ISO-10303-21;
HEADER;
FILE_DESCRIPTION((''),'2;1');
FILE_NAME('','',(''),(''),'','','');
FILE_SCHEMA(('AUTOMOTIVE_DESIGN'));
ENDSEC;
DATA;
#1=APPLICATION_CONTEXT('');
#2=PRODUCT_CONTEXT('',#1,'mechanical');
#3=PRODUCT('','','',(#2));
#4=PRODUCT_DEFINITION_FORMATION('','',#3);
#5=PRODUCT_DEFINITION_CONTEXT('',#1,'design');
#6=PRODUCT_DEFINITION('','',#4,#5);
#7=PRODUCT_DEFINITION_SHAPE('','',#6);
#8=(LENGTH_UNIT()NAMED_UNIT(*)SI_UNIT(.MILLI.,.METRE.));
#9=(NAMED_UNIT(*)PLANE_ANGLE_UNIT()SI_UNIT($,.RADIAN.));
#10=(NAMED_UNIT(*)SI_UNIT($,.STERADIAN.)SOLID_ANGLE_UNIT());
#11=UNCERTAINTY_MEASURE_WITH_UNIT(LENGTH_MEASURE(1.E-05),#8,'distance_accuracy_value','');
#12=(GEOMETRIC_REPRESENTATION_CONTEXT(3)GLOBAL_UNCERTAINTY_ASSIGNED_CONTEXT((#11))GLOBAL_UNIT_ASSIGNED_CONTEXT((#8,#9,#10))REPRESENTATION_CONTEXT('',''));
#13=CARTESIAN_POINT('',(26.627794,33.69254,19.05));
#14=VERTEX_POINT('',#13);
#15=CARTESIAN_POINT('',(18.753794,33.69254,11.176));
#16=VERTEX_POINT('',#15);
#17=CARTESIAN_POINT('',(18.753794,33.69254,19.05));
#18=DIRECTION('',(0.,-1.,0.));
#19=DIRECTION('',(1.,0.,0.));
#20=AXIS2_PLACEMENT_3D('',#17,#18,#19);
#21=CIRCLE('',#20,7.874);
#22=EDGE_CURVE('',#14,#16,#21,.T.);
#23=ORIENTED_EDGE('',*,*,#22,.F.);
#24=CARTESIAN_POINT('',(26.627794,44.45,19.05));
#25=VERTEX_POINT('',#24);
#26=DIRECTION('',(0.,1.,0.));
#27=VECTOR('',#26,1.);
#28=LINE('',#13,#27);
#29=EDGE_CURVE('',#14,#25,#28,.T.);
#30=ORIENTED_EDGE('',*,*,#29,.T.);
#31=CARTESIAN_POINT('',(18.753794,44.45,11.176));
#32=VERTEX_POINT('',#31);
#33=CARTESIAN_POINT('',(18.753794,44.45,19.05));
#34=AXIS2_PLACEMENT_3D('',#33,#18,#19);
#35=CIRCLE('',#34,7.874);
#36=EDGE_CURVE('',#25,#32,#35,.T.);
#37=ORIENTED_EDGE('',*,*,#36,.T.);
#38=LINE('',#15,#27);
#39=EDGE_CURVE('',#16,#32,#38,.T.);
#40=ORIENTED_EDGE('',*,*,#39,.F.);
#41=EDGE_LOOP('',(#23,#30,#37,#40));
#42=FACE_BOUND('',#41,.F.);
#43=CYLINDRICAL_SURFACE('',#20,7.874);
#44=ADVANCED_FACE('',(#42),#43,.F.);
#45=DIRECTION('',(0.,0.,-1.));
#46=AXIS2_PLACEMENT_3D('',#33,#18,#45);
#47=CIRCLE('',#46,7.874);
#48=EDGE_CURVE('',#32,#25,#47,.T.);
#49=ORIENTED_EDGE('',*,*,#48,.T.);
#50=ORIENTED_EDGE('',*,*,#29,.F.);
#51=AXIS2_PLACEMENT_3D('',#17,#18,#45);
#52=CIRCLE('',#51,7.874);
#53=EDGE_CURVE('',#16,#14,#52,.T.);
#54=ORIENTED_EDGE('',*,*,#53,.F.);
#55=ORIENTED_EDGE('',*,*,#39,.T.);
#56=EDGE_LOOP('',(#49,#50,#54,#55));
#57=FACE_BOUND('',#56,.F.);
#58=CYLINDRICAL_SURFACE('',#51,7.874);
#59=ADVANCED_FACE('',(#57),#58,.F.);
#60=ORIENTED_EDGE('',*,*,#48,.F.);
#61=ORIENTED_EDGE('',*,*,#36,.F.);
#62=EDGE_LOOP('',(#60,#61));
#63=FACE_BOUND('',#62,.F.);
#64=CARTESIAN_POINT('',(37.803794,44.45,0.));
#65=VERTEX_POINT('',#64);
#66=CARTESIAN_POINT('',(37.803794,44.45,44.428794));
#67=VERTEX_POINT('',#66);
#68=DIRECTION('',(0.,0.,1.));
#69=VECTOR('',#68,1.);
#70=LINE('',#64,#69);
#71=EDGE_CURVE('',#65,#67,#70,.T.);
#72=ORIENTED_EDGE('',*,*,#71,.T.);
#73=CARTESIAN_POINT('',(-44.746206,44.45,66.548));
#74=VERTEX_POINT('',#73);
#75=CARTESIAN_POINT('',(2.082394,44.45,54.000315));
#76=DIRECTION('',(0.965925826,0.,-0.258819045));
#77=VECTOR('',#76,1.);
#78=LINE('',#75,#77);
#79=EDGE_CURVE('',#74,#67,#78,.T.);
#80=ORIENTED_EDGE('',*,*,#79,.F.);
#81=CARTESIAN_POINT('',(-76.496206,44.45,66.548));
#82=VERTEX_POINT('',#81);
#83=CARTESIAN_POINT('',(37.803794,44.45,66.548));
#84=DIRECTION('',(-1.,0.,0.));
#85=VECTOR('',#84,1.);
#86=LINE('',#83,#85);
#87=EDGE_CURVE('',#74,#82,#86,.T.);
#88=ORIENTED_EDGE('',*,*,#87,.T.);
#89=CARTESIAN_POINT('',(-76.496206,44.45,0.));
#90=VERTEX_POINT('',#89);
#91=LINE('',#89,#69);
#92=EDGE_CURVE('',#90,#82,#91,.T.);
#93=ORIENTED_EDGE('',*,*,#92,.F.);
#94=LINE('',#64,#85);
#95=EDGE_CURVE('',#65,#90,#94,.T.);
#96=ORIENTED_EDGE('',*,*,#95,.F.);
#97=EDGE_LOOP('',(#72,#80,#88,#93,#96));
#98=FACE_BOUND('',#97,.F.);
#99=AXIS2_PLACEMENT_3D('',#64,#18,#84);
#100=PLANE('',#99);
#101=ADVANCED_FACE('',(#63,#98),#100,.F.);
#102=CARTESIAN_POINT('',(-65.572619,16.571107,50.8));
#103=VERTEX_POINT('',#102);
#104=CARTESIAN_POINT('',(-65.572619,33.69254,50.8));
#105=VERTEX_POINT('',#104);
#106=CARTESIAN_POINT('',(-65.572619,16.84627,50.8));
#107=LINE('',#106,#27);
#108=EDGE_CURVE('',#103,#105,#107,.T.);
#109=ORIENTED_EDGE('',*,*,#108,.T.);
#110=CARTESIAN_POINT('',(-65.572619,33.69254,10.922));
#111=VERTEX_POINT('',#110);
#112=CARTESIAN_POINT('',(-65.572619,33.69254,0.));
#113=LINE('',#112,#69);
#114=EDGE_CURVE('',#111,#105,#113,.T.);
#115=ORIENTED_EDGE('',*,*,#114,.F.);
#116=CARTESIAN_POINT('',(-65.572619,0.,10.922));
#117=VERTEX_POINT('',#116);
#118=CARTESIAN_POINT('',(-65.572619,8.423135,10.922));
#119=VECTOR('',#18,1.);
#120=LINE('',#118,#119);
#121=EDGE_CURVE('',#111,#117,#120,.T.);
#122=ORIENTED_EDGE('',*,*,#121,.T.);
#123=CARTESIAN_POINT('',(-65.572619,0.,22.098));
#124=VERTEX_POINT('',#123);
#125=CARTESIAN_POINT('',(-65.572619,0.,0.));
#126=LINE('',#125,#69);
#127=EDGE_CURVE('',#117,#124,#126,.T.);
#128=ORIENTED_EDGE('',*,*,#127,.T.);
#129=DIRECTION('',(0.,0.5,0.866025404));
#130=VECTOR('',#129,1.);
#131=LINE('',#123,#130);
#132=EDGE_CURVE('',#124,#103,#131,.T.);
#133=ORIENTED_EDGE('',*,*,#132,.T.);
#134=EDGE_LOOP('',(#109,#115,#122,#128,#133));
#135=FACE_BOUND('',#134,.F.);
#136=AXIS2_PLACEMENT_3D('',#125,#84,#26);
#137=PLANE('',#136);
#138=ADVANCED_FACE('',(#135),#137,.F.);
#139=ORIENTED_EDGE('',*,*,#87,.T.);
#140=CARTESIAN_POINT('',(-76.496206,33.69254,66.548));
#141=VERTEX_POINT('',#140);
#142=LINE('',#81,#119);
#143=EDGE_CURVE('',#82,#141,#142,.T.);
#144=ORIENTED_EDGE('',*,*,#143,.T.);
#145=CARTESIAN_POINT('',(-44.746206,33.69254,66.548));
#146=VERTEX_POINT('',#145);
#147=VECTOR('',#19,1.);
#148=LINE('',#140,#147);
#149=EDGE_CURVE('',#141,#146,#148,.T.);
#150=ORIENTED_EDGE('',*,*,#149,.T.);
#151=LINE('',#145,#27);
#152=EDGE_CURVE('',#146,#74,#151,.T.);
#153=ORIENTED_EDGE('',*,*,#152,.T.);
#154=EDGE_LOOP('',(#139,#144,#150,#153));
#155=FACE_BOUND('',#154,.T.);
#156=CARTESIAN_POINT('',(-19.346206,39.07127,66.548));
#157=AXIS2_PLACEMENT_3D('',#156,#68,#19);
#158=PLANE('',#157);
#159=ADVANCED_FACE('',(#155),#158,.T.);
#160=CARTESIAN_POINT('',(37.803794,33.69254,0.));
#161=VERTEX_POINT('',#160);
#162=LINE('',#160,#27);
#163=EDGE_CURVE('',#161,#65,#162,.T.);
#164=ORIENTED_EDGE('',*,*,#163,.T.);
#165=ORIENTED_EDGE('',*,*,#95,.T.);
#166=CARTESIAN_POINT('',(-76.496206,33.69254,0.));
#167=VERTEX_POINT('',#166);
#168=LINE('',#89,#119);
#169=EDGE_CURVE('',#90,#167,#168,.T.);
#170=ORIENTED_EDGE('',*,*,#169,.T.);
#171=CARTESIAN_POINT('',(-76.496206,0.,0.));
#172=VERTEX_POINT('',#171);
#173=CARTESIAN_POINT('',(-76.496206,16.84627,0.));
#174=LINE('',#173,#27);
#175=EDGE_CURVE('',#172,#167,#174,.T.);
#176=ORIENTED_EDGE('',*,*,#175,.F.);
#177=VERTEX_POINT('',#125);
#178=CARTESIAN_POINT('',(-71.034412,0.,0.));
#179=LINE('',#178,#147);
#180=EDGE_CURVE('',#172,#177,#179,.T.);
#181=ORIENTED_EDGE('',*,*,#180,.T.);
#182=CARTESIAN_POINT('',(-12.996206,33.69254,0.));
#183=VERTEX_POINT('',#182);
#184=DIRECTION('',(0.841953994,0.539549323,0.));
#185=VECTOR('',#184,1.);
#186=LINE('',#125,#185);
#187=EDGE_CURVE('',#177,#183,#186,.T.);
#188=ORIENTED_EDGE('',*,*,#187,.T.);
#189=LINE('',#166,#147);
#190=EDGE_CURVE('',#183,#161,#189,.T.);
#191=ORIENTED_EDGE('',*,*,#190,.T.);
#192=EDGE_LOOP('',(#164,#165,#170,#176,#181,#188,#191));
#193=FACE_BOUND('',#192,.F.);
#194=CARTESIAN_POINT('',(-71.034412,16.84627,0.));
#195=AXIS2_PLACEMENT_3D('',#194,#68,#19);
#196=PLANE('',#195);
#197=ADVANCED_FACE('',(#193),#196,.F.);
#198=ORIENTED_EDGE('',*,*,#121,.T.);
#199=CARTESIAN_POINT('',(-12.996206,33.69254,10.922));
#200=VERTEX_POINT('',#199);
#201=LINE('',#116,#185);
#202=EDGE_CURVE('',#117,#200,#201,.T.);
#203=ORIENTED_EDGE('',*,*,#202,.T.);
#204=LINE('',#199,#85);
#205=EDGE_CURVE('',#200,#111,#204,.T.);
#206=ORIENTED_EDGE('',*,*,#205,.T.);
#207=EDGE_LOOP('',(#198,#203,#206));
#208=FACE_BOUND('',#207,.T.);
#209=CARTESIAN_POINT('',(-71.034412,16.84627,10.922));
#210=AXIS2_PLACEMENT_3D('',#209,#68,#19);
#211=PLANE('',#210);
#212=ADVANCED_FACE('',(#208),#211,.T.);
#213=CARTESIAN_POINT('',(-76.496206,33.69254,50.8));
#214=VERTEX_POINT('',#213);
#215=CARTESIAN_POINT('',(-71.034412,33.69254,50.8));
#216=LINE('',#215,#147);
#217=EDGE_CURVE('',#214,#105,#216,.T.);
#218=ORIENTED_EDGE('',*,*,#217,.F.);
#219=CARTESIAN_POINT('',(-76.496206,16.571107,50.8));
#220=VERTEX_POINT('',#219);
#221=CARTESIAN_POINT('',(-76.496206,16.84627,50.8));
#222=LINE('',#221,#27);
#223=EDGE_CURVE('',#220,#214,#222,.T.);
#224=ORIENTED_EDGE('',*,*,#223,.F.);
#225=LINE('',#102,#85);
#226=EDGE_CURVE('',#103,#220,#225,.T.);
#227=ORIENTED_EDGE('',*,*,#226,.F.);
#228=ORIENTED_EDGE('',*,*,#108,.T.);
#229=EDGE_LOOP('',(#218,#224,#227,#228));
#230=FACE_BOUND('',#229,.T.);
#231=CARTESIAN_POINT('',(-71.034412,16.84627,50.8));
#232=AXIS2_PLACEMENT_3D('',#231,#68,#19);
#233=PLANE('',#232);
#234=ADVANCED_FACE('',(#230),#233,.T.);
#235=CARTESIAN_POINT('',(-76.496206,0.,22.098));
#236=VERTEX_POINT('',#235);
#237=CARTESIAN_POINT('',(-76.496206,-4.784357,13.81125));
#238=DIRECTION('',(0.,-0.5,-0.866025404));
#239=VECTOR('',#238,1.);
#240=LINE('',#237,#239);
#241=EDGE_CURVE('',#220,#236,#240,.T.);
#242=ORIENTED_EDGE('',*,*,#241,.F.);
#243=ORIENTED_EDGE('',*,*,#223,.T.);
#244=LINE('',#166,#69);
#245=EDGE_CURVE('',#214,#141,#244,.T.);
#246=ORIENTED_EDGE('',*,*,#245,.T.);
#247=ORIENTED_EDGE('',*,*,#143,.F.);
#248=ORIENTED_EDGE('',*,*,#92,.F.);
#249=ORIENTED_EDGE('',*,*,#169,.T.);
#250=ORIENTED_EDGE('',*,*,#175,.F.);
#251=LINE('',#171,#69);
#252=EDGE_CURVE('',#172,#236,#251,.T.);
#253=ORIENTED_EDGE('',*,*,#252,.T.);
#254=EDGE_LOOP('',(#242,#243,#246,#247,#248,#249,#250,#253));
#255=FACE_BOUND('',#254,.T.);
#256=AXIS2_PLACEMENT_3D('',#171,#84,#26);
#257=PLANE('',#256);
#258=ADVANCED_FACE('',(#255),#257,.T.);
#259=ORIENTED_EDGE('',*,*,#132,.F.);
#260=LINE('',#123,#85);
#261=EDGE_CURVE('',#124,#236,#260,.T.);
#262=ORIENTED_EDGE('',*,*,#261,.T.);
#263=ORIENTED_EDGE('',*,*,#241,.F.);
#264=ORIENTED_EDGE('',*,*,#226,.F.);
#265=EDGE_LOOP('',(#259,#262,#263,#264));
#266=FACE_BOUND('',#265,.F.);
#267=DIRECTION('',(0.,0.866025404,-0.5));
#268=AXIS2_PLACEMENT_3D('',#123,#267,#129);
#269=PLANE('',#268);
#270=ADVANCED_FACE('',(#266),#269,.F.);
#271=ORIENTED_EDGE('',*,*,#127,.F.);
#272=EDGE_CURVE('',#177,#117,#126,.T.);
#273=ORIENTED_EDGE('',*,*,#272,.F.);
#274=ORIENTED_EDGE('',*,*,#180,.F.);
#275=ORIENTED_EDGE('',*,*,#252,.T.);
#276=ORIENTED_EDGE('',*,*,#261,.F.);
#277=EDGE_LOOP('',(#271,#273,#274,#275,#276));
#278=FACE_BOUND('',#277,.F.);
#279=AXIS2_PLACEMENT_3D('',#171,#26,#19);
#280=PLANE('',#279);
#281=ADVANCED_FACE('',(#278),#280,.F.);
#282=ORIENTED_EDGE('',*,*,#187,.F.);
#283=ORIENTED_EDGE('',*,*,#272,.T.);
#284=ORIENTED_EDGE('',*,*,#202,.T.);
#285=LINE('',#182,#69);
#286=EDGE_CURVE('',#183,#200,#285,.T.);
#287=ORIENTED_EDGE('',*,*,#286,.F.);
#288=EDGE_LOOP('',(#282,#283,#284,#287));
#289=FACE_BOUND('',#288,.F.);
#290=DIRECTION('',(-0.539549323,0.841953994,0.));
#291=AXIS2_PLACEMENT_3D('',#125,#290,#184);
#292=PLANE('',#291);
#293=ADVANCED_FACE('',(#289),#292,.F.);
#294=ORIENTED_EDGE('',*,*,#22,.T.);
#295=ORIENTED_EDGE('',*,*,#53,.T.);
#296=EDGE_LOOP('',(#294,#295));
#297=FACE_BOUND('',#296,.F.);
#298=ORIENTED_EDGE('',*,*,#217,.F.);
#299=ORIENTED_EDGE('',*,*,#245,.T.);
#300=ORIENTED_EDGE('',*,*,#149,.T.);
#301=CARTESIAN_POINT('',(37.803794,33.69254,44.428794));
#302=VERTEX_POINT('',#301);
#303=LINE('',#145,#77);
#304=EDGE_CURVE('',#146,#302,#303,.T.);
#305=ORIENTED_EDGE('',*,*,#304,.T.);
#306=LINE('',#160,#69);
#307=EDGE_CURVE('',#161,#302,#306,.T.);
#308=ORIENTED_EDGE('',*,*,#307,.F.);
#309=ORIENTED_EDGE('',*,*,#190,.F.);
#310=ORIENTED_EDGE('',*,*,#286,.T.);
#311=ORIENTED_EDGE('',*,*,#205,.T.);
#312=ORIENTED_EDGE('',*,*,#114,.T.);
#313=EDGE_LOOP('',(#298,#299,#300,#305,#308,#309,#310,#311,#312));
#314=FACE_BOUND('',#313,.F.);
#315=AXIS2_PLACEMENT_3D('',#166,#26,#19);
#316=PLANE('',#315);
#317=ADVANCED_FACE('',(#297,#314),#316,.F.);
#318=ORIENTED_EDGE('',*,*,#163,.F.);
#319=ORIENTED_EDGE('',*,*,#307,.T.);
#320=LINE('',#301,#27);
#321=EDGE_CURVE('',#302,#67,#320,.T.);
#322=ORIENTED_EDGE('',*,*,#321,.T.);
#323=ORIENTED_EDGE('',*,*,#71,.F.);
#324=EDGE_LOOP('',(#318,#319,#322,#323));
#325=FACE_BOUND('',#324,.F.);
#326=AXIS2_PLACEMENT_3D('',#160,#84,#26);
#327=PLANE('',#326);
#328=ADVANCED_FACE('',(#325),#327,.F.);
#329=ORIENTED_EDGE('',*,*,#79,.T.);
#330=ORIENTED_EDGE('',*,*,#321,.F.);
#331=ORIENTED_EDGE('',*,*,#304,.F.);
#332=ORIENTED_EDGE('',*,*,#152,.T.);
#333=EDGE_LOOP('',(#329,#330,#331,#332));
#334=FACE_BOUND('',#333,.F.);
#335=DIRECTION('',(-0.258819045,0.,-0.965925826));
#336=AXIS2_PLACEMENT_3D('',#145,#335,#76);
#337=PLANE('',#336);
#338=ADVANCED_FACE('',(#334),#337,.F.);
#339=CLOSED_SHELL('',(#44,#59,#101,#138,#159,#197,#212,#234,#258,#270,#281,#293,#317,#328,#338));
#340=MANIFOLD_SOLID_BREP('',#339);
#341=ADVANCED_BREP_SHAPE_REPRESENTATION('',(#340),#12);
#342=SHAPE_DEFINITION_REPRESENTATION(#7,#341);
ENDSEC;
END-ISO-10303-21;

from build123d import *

# Parameters (mm, degrees)
F1_DEPTH = 66.548
F0_W     = 10.9235864809
F0_H     = 33.6925396672
F2_DEPTH = 10.922
F4_DEPTH = 10.7584603328
F5_DEPTH = 50.8
F7_DEPTH = 127
F8_DEPTH = 127


with BuildPart() as f1:
    # F0 (on Top) → F1 (new body)
    with BuildSketch(Plane.XY):
        Polygon((37.8037942689, 44.45), (-76.4962057311, 44.45), (-76.4962057311, 33.6925396672), (-65.5726192503, 33.6925396672), (-12.9962057311, 33.6925396672), (37.8037942689, 33.6925396672), align=None)
    extrude(amount=F1_DEPTH)

    # F0 (on Top) → F2 (join)
    with BuildSketch(Plane.XY):
        with Locations((-71.0344124907, 16.8462698336)):
            Rectangle(F0_W, F0_H)
        Polygon((-12.9962057311, 33.6925396672), (-65.5726192503, 33.6925396672), (-65.5726192503, 0), align=None)
    extrude(amount=F2_DEPTH)

    # F3 (on face) → F4 (cut, through all)
    with BuildSketch(Plane.XZ.offset(-33.6925396672)):
        with BuildLine():
            ThreePointArc((26.6277942689, 19.05), (13.1860354738, 24.6177587951), (18.7537942689, 11.176))
            ThreePointArc((18.7537942689, 11.176), (24.3215530639, 13.4822412049), (26.6277942689, 19.05))
        make_face()
    extrude(amount=-F4_DEPTH, mode=Mode.SUBTRACT)

    # F0 (on Top) → F5 (join)
    with BuildSketch(Plane.XY):
        with Locations((-71.0344124907, 16.8462698336)):
            Rectangle(F0_W, F0_H)
    extrude(amount=F5_DEPTH)

    # F6 (on face) → F7 (cut)
    with BuildSketch(Plane.YZ.offset(-65.5726192503)):
        Polygon((0, 50.8), (0, 22.098), (16.5711074263, 50.8), align=None)
    extrude(amount=-F7_DEPTH, mode=Mode.SUBTRACT)

    # F3 (on face) → F8 (cut)
    with BuildSketch(Plane.XZ.offset(-33.6925396672)):
        Polygon((-44.7462057311, 66.548), (37.8037942689, 44.4287941648), (37.8037942689, 66.548), align=None)
    extrude(amount=-F8_DEPTH, mode=Mode.SUBTRACT)


solid = f1.part
